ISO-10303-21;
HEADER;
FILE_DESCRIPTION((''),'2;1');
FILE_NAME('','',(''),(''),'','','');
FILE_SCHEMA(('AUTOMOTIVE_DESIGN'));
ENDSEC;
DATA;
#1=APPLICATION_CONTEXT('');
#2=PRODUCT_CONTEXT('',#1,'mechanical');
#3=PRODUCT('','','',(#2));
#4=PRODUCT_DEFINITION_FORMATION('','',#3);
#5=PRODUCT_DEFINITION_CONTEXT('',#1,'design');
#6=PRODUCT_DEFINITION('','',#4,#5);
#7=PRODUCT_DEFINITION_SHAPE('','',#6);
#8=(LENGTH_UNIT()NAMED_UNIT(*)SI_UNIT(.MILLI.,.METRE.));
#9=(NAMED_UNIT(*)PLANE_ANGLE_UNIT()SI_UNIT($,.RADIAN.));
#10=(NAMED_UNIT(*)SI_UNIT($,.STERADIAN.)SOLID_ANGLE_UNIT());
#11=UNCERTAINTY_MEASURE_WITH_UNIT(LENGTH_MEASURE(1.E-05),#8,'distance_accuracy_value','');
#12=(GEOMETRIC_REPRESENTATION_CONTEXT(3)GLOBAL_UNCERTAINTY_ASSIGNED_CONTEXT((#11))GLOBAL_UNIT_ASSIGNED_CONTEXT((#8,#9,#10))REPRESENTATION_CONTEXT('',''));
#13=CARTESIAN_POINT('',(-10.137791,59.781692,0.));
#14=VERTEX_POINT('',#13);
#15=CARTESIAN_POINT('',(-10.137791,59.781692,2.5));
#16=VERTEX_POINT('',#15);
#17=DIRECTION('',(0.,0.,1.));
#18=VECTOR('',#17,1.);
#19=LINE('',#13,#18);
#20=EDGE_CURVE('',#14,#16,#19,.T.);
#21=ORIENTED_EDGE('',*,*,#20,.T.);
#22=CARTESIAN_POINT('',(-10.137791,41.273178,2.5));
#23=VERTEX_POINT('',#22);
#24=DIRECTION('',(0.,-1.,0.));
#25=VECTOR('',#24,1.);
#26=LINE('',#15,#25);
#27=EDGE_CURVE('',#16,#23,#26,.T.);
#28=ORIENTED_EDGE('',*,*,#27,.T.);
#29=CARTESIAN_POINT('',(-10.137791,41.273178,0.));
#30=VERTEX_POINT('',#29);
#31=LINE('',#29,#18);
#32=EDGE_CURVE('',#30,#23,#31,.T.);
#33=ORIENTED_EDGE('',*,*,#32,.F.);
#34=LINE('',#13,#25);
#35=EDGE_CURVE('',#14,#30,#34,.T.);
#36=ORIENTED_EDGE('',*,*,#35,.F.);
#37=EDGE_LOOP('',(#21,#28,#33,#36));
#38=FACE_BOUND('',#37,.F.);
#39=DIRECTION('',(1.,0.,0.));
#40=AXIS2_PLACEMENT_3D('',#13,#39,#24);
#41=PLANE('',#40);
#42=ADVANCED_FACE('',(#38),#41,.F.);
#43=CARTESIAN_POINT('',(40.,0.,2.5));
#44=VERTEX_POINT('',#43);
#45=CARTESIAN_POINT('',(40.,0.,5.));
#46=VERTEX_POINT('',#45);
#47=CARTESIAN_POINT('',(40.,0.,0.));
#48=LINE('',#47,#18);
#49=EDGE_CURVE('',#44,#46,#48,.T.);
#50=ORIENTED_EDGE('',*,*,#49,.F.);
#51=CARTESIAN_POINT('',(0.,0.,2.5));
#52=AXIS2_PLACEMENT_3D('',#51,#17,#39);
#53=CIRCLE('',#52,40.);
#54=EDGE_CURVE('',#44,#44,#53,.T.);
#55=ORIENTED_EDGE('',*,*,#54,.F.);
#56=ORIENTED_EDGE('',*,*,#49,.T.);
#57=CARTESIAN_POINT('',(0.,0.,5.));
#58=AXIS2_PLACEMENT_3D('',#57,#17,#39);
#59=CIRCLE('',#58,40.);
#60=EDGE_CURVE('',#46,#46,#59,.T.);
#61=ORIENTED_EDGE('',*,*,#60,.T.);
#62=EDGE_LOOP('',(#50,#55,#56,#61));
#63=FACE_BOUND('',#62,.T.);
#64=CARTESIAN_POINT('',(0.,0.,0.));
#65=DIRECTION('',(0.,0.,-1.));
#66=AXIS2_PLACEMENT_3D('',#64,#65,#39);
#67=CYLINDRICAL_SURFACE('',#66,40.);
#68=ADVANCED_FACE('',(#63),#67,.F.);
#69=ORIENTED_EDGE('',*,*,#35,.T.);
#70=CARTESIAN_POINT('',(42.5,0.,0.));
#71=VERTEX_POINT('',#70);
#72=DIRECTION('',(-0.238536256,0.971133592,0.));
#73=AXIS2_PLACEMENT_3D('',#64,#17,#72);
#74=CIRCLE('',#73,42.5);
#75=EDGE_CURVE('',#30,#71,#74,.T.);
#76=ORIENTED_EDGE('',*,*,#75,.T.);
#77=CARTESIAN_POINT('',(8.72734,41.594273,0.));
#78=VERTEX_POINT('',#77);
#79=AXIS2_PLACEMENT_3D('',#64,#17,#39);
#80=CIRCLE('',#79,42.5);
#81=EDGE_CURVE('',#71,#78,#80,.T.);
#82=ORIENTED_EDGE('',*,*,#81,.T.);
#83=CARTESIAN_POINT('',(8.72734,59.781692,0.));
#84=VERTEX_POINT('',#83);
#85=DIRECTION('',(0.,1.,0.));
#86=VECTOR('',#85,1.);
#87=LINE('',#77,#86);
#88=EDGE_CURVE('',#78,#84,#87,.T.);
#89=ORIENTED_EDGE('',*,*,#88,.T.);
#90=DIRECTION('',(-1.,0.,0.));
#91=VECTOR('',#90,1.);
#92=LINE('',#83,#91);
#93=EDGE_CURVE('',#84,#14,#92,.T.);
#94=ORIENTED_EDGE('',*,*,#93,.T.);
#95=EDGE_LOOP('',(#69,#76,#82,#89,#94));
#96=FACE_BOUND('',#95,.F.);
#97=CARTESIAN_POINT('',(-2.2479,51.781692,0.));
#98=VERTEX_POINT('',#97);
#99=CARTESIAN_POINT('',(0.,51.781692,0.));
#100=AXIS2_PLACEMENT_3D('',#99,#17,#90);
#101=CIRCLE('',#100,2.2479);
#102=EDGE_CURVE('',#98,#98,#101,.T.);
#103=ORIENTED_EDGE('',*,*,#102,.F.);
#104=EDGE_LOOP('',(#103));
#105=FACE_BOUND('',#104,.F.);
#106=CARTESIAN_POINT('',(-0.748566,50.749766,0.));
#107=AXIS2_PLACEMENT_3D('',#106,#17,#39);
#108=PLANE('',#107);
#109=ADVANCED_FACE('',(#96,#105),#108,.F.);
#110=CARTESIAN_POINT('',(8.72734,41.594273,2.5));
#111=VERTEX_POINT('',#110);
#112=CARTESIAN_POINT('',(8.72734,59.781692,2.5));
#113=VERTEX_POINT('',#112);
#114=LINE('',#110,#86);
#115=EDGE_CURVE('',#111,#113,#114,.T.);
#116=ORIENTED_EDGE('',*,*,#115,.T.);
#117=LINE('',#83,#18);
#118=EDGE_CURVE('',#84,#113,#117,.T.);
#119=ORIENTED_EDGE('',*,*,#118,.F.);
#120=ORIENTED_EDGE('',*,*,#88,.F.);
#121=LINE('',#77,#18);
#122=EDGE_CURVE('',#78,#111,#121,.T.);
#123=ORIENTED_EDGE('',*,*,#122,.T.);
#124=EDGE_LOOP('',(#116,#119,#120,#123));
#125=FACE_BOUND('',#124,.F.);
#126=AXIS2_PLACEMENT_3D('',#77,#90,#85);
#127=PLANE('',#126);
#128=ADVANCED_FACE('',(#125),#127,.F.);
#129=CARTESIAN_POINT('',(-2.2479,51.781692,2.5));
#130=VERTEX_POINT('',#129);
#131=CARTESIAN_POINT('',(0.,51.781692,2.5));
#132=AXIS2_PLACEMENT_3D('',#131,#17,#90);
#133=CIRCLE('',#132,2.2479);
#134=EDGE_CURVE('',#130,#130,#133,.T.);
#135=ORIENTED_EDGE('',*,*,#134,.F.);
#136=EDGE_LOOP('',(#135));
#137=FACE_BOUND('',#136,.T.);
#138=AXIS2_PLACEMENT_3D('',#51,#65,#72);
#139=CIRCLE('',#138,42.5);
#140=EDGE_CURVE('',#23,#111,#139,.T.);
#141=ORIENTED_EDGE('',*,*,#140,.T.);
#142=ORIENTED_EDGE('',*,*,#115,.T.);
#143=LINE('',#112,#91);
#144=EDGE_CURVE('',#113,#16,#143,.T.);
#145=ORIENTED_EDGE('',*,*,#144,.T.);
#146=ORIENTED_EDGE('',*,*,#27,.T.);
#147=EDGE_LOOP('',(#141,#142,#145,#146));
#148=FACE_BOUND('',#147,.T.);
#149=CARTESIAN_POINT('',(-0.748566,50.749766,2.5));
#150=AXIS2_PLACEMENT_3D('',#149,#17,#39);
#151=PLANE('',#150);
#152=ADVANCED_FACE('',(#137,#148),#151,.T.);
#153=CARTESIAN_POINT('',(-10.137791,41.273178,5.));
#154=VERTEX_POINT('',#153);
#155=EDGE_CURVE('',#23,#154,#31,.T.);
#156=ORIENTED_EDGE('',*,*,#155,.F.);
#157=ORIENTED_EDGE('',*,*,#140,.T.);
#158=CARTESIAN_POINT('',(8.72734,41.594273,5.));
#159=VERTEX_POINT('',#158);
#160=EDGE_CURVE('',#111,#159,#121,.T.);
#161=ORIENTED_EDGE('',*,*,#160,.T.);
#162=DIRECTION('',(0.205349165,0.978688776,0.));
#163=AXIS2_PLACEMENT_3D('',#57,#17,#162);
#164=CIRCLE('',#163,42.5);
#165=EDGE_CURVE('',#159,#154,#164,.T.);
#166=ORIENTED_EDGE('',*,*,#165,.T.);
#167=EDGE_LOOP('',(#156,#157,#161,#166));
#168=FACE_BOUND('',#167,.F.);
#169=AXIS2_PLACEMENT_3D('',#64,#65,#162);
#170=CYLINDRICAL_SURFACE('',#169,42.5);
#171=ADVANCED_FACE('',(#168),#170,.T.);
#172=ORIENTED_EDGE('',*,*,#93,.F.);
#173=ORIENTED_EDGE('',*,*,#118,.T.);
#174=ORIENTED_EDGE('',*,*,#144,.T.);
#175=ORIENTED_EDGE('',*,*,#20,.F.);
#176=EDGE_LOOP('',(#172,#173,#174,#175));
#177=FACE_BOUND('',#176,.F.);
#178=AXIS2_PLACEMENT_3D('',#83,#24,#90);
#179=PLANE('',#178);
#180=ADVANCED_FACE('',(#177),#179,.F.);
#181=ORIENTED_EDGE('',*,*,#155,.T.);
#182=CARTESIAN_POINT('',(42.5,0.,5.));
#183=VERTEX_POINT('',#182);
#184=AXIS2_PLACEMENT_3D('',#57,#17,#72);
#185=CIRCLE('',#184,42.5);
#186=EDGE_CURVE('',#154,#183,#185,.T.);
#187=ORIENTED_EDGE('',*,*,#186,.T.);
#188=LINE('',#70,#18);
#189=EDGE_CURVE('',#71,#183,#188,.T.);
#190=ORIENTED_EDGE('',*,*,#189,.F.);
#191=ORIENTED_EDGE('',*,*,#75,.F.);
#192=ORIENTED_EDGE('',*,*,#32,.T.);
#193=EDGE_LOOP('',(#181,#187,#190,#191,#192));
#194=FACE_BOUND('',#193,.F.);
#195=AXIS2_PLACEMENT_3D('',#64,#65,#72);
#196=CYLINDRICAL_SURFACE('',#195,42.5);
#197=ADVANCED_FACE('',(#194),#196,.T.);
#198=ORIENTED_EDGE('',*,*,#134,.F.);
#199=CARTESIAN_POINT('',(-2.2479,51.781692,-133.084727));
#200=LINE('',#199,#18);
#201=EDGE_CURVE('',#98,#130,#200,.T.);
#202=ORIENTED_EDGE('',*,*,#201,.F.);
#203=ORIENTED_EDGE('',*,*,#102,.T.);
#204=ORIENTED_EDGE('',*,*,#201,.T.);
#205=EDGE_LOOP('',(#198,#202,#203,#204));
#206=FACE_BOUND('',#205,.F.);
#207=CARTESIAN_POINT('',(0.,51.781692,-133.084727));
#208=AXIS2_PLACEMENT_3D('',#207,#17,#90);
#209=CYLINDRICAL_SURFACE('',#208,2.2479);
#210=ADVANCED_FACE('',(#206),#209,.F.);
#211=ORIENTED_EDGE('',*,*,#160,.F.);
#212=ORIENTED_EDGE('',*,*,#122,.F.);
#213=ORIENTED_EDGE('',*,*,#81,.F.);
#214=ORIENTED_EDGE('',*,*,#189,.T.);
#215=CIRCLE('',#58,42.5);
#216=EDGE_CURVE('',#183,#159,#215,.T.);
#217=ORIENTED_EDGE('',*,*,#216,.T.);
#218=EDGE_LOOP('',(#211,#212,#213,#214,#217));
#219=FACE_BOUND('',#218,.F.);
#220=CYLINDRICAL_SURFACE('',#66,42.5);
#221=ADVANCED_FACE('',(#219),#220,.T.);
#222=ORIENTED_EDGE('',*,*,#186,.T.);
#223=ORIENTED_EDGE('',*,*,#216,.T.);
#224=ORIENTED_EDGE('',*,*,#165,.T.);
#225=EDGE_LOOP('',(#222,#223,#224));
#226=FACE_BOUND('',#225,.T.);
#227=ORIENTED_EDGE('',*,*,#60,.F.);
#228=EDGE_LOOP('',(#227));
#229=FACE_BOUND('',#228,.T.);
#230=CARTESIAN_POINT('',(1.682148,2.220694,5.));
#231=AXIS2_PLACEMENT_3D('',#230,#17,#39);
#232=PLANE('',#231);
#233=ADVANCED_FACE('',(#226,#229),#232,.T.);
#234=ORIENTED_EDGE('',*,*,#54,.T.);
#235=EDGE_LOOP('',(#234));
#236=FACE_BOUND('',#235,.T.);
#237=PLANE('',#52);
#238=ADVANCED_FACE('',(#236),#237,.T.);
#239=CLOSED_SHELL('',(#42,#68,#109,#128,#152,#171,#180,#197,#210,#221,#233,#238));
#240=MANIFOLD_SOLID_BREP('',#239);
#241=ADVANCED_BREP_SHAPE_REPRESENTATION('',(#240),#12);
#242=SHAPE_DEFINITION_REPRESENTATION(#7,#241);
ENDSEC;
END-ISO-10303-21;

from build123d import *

# Parameters (mm, degrees)
F0_R     = 40
F1_DEPTH = 5
F2_DEPTH = 2.5
F3_D     = 4.4958


with BuildPart() as f1:
    # F0 (on Top) → F1 (new body)
    with BuildSketch(Plane.XY):
        with BuildLine():
            ThreePointArc((-10.1377908892, 41.273177681), (-26.2239765025, -33.4447762198), (42.5, 0))
            ThreePointArc((42.5, 0), (32.9936503742, 26.7893455497), (8.7273395302, 41.5942729799))
            ThreePointArc((8.7273395302, 41.5942729799), (-0.7232695256, 42.4938452154), (-10.1377908892, 41.273177681))
        make_face()
        Circle(F0_R, mode=Mode.SUBTRACT)
    extrude(amount=F1_DEPTH)

    # F0 (on Top) → F2 (join)
    with BuildSketch(Plane.XY):
        with BuildLine():
            ThreePointArc((-10.1377908892, 41.273177681), (-0.7232695256, 42.4938452154), (8.7273395302, 41.5942729799))
            Line((8.7273395302, 41.5942729799), (8.7273395302, 59.7816915568))
            Line((8.7273395302, 59.7816915568), (-10.1377908892, 59.7816915568))
            Line((-10.1377908892, 59.7816915568), (-10.1377908892, 41.273177681))
        make_face()
        Circle(F0_R)
    extrude(amount=F2_DEPTH)

    # F3 (through all)
    with Locations(Plane(origin=(0, 0, 0), x_dir=(1, 0, 0), z_dir=(0, 0, -1))):
        with Locations((0, -51.7816915568)):
            Hole(F3_D / 2)


solid = f1.part
